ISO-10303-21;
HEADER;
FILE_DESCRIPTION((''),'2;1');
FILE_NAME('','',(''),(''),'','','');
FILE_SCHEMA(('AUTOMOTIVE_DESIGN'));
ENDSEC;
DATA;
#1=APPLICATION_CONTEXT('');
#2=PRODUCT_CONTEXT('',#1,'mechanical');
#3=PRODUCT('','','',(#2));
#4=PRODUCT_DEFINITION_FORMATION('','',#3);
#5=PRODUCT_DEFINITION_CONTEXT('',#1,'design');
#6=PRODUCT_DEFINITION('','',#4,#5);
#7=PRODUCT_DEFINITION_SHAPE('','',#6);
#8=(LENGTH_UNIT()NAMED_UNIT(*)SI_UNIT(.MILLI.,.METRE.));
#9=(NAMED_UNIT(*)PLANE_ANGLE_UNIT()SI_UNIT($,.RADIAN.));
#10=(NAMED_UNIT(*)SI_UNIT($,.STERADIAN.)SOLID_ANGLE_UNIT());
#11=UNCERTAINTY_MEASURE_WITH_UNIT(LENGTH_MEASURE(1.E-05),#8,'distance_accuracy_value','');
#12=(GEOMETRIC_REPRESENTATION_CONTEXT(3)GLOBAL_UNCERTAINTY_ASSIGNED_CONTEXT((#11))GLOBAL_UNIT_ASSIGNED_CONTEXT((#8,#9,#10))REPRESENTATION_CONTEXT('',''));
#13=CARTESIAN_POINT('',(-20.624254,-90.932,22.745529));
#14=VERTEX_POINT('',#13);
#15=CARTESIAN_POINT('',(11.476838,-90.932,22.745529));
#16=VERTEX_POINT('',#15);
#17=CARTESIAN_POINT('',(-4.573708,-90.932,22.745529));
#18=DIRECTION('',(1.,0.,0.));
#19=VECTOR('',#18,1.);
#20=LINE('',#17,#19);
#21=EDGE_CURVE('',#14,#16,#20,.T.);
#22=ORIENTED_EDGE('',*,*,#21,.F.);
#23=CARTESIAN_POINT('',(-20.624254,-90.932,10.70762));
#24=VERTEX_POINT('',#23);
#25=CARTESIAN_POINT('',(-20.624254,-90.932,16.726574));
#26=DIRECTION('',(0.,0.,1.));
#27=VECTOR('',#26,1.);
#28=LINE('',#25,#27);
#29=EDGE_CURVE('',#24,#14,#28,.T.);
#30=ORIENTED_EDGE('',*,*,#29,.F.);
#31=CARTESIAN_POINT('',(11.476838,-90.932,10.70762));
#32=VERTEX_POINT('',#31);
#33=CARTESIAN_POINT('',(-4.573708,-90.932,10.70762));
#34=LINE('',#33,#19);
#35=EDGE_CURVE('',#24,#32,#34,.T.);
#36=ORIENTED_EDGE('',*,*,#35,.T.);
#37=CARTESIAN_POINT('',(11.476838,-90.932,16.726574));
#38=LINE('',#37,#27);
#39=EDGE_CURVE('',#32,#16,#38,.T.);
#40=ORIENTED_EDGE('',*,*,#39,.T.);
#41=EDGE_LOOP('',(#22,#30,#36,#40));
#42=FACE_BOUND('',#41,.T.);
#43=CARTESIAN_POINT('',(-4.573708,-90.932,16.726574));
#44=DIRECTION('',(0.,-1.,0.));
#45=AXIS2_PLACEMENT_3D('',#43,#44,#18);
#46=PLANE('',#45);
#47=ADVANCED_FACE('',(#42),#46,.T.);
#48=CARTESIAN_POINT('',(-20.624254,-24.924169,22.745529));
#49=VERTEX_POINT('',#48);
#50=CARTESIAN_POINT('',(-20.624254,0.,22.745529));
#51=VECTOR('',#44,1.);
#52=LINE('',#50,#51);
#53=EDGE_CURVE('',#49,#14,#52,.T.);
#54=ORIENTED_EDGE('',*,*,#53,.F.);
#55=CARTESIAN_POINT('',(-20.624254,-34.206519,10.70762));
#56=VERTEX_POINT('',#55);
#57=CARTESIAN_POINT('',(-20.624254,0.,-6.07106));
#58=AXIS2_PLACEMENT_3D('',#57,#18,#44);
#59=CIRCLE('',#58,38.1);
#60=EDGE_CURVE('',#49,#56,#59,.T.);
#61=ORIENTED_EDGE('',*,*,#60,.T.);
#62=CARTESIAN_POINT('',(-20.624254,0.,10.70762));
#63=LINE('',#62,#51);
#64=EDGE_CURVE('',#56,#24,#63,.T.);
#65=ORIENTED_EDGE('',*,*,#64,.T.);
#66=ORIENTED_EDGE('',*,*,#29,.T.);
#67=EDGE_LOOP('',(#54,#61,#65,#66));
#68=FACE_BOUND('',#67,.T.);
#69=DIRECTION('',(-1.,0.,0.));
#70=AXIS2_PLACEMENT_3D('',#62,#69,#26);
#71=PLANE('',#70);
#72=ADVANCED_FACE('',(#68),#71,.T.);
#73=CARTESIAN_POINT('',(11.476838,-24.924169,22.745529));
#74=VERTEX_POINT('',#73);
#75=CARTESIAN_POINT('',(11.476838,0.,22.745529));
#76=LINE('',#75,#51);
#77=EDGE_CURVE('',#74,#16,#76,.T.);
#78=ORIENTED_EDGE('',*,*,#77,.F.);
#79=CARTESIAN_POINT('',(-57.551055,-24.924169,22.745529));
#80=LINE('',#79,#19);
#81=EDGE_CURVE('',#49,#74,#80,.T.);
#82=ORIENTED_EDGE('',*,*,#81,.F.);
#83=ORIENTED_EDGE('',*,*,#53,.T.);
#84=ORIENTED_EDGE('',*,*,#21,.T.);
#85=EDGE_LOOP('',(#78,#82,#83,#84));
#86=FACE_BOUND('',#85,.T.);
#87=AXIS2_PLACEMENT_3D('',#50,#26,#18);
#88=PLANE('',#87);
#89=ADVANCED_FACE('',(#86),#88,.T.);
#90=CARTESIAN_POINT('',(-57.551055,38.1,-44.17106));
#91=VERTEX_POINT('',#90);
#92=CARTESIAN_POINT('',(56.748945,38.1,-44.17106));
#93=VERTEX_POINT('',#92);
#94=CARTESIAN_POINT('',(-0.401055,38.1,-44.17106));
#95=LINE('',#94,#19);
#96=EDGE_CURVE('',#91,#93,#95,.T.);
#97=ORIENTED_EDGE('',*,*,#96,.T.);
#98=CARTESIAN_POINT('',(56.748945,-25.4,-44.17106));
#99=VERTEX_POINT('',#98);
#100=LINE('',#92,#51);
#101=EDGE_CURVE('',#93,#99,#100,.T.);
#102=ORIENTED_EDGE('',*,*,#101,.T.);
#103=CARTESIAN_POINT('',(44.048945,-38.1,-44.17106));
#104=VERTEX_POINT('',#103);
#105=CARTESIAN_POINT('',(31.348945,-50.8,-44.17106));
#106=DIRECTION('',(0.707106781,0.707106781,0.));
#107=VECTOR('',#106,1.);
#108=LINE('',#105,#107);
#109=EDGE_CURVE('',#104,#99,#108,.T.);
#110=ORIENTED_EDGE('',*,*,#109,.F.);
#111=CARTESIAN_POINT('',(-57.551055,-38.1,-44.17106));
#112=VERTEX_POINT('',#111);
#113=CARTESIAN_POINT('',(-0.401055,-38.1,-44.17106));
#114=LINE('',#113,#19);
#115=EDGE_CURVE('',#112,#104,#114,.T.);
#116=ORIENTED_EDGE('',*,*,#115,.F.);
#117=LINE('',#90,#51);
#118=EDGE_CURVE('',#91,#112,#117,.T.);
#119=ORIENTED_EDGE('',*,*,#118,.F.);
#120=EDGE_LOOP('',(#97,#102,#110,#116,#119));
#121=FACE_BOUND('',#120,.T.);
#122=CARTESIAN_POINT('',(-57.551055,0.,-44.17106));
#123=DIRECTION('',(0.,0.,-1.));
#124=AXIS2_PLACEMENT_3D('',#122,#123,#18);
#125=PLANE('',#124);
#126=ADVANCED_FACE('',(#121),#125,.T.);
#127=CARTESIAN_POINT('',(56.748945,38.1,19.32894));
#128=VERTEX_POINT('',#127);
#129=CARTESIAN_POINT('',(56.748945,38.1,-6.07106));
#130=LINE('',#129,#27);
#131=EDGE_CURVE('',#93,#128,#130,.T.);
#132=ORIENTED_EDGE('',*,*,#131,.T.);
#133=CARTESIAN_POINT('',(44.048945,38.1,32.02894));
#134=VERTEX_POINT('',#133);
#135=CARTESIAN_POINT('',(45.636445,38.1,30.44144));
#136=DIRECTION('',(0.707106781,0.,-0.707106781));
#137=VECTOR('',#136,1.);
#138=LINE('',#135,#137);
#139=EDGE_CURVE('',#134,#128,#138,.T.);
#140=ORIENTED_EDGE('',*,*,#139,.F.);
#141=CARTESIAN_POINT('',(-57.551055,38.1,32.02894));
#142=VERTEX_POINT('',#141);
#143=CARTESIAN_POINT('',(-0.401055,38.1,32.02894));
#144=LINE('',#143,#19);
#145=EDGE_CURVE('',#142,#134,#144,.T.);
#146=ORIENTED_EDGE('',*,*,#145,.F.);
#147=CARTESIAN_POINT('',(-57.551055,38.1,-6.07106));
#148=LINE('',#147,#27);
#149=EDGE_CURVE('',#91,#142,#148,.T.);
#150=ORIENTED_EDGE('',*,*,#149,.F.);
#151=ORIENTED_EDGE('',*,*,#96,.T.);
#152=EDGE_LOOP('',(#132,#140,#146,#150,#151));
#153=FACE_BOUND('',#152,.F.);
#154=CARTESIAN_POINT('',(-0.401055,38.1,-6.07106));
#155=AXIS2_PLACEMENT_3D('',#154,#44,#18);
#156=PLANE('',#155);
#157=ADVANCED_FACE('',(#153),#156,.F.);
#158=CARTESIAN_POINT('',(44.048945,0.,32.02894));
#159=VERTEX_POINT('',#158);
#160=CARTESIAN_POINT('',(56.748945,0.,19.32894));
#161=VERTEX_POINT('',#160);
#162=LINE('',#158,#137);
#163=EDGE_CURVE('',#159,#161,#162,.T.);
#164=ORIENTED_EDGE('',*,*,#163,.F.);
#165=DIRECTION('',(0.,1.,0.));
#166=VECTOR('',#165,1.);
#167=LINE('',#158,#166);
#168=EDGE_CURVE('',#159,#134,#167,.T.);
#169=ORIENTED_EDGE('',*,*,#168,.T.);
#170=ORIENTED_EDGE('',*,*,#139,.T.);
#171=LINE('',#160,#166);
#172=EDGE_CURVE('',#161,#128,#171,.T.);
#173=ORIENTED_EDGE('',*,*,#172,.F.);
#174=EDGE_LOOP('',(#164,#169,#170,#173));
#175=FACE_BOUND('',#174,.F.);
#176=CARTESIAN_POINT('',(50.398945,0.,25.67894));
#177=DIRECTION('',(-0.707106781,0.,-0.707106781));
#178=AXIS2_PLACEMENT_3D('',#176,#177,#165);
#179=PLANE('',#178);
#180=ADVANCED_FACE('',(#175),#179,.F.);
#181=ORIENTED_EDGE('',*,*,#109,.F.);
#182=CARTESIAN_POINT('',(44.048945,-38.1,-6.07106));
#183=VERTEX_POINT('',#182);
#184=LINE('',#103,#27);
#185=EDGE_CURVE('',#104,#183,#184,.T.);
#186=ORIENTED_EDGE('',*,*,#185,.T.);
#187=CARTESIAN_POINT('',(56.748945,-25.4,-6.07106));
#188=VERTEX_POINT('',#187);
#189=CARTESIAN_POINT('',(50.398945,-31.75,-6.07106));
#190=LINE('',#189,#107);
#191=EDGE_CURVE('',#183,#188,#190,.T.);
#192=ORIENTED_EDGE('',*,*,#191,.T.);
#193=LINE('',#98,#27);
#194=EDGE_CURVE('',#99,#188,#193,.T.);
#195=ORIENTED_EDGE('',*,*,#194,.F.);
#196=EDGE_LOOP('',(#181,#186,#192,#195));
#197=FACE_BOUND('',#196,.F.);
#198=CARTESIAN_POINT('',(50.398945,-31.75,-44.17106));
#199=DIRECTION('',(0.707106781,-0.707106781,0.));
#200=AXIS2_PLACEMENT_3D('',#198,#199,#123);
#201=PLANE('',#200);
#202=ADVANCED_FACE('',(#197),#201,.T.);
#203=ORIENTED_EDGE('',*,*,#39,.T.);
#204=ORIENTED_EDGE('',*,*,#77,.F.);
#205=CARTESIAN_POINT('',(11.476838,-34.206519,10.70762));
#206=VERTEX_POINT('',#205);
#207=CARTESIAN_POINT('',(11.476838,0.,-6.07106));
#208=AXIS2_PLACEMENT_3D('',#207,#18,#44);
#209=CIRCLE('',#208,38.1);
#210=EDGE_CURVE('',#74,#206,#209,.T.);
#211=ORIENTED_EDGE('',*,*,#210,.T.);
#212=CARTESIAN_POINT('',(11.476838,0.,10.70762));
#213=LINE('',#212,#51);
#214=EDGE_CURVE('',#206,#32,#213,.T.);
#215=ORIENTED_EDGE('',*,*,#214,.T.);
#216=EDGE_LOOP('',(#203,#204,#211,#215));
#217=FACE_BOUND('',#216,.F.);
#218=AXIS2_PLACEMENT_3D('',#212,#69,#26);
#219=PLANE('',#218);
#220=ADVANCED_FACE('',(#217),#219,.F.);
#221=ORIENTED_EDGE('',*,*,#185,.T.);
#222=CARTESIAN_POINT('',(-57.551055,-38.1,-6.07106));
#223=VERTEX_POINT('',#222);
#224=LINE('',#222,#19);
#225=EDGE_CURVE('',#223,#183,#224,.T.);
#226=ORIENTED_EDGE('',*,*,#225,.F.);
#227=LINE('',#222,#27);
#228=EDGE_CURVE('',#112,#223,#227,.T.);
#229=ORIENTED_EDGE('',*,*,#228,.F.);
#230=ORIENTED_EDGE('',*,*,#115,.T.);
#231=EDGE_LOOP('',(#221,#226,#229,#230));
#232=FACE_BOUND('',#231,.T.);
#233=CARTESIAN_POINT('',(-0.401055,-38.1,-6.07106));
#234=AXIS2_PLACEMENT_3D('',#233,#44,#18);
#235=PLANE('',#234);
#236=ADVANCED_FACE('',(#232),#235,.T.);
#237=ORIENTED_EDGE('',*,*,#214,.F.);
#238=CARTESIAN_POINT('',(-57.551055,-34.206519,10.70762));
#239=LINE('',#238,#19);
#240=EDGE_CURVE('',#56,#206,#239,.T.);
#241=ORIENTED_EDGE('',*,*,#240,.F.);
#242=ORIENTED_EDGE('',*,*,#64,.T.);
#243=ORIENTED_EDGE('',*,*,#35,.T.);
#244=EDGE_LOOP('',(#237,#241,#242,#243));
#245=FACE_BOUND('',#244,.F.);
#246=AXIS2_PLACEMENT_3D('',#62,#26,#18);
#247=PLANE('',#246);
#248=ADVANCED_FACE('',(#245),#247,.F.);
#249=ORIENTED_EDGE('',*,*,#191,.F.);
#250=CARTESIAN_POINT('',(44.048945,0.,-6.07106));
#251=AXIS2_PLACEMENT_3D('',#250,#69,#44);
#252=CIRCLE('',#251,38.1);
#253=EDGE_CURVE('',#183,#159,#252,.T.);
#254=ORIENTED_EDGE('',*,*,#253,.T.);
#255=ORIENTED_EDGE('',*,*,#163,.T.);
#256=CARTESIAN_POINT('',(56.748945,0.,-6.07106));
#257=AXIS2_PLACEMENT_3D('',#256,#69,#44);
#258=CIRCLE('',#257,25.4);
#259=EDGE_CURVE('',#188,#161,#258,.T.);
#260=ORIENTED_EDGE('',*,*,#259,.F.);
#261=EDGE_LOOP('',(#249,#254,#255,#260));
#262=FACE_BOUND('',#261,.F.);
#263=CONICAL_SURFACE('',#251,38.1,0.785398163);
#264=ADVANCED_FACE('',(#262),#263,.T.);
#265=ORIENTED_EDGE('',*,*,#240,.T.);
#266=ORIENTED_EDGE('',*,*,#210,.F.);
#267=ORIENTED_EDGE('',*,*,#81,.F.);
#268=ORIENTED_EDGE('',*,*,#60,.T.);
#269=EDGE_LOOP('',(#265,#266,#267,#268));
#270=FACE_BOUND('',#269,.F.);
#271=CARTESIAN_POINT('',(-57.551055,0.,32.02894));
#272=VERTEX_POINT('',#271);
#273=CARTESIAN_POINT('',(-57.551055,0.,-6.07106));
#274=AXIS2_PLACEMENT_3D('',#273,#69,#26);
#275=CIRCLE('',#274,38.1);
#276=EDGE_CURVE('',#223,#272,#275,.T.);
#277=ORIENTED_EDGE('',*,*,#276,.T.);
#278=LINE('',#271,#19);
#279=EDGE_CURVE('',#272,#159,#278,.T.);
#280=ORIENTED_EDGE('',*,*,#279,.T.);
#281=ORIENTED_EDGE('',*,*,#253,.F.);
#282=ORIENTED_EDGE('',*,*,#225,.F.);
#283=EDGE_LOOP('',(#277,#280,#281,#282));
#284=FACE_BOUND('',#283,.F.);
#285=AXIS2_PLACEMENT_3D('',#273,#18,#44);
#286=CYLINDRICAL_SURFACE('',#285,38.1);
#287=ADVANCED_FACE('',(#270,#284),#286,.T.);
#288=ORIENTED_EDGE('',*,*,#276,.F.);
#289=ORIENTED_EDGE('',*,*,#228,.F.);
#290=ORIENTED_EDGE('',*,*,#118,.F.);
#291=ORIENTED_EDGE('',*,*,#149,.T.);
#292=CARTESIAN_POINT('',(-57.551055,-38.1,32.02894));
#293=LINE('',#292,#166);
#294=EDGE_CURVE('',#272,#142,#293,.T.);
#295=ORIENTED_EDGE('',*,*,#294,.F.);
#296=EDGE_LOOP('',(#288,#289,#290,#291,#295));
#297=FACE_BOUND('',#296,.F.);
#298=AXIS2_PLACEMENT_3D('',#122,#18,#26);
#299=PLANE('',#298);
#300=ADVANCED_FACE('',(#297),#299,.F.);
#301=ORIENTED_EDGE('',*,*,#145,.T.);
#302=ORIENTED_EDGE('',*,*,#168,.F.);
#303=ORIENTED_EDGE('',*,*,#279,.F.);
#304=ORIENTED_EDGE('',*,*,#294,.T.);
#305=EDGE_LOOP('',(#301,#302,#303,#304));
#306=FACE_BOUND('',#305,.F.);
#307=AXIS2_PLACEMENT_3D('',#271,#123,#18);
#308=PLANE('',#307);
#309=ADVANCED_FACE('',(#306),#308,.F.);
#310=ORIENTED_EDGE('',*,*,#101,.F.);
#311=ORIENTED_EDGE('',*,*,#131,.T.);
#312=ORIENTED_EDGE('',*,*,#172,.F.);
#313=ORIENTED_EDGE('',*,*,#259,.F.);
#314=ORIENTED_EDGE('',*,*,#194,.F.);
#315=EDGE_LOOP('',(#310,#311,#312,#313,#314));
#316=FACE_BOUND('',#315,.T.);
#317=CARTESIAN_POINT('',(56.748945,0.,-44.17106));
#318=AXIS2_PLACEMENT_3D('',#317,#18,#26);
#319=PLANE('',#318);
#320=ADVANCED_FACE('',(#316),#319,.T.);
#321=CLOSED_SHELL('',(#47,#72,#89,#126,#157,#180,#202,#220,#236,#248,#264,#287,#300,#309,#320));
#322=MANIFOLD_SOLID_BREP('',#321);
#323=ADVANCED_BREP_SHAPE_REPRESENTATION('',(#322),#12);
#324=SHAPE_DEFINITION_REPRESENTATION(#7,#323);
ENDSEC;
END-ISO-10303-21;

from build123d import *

# Parameters (mm, degrees)
F0_W     = 114.3
F0_H     = 76.2
F1_DEPTH = 38.1
F2_R     = 38.1
F3_SIZE  = 12.7
F4_W     = 32.1010919288
F4_H     = 12.0379095897
F5_DEPTH = 90.932


with BuildPart() as f1:
    # F0 (on Front) → F1 (new body, symmetric)
    with BuildSketch(Plane.XZ):
        with Locations((-0.4010554403, -6.0710595265)):
            Rectangle(F0_W, F0_H)
    extrude(amount=F1_DEPTH, both=True)

    # F2
    f2_edges = [f1.edges().sort_by_distance(p)[0] for p in [
        (-0.401055, -38.1, 32.02894),
    ]]
    fillet(f2_edges, radius=F2_R)

    # F3
    f3_edges = [f1.edges().sort_by_distance(p)[0] for p in [
        (56.748945, 19.05, 32.02894),
    ]]
    chamfer(f3_edges, length=F3_SIZE)

    # F4 (on Front) → F5 (join)
    with BuildSketch(Plane.XZ):
        with Locations((-4.5737079345, 16.7265743949)):
            Rectangle(F4_W, F4_H)
    extrude(amount=F5_DEPTH)


solid = f1.part
